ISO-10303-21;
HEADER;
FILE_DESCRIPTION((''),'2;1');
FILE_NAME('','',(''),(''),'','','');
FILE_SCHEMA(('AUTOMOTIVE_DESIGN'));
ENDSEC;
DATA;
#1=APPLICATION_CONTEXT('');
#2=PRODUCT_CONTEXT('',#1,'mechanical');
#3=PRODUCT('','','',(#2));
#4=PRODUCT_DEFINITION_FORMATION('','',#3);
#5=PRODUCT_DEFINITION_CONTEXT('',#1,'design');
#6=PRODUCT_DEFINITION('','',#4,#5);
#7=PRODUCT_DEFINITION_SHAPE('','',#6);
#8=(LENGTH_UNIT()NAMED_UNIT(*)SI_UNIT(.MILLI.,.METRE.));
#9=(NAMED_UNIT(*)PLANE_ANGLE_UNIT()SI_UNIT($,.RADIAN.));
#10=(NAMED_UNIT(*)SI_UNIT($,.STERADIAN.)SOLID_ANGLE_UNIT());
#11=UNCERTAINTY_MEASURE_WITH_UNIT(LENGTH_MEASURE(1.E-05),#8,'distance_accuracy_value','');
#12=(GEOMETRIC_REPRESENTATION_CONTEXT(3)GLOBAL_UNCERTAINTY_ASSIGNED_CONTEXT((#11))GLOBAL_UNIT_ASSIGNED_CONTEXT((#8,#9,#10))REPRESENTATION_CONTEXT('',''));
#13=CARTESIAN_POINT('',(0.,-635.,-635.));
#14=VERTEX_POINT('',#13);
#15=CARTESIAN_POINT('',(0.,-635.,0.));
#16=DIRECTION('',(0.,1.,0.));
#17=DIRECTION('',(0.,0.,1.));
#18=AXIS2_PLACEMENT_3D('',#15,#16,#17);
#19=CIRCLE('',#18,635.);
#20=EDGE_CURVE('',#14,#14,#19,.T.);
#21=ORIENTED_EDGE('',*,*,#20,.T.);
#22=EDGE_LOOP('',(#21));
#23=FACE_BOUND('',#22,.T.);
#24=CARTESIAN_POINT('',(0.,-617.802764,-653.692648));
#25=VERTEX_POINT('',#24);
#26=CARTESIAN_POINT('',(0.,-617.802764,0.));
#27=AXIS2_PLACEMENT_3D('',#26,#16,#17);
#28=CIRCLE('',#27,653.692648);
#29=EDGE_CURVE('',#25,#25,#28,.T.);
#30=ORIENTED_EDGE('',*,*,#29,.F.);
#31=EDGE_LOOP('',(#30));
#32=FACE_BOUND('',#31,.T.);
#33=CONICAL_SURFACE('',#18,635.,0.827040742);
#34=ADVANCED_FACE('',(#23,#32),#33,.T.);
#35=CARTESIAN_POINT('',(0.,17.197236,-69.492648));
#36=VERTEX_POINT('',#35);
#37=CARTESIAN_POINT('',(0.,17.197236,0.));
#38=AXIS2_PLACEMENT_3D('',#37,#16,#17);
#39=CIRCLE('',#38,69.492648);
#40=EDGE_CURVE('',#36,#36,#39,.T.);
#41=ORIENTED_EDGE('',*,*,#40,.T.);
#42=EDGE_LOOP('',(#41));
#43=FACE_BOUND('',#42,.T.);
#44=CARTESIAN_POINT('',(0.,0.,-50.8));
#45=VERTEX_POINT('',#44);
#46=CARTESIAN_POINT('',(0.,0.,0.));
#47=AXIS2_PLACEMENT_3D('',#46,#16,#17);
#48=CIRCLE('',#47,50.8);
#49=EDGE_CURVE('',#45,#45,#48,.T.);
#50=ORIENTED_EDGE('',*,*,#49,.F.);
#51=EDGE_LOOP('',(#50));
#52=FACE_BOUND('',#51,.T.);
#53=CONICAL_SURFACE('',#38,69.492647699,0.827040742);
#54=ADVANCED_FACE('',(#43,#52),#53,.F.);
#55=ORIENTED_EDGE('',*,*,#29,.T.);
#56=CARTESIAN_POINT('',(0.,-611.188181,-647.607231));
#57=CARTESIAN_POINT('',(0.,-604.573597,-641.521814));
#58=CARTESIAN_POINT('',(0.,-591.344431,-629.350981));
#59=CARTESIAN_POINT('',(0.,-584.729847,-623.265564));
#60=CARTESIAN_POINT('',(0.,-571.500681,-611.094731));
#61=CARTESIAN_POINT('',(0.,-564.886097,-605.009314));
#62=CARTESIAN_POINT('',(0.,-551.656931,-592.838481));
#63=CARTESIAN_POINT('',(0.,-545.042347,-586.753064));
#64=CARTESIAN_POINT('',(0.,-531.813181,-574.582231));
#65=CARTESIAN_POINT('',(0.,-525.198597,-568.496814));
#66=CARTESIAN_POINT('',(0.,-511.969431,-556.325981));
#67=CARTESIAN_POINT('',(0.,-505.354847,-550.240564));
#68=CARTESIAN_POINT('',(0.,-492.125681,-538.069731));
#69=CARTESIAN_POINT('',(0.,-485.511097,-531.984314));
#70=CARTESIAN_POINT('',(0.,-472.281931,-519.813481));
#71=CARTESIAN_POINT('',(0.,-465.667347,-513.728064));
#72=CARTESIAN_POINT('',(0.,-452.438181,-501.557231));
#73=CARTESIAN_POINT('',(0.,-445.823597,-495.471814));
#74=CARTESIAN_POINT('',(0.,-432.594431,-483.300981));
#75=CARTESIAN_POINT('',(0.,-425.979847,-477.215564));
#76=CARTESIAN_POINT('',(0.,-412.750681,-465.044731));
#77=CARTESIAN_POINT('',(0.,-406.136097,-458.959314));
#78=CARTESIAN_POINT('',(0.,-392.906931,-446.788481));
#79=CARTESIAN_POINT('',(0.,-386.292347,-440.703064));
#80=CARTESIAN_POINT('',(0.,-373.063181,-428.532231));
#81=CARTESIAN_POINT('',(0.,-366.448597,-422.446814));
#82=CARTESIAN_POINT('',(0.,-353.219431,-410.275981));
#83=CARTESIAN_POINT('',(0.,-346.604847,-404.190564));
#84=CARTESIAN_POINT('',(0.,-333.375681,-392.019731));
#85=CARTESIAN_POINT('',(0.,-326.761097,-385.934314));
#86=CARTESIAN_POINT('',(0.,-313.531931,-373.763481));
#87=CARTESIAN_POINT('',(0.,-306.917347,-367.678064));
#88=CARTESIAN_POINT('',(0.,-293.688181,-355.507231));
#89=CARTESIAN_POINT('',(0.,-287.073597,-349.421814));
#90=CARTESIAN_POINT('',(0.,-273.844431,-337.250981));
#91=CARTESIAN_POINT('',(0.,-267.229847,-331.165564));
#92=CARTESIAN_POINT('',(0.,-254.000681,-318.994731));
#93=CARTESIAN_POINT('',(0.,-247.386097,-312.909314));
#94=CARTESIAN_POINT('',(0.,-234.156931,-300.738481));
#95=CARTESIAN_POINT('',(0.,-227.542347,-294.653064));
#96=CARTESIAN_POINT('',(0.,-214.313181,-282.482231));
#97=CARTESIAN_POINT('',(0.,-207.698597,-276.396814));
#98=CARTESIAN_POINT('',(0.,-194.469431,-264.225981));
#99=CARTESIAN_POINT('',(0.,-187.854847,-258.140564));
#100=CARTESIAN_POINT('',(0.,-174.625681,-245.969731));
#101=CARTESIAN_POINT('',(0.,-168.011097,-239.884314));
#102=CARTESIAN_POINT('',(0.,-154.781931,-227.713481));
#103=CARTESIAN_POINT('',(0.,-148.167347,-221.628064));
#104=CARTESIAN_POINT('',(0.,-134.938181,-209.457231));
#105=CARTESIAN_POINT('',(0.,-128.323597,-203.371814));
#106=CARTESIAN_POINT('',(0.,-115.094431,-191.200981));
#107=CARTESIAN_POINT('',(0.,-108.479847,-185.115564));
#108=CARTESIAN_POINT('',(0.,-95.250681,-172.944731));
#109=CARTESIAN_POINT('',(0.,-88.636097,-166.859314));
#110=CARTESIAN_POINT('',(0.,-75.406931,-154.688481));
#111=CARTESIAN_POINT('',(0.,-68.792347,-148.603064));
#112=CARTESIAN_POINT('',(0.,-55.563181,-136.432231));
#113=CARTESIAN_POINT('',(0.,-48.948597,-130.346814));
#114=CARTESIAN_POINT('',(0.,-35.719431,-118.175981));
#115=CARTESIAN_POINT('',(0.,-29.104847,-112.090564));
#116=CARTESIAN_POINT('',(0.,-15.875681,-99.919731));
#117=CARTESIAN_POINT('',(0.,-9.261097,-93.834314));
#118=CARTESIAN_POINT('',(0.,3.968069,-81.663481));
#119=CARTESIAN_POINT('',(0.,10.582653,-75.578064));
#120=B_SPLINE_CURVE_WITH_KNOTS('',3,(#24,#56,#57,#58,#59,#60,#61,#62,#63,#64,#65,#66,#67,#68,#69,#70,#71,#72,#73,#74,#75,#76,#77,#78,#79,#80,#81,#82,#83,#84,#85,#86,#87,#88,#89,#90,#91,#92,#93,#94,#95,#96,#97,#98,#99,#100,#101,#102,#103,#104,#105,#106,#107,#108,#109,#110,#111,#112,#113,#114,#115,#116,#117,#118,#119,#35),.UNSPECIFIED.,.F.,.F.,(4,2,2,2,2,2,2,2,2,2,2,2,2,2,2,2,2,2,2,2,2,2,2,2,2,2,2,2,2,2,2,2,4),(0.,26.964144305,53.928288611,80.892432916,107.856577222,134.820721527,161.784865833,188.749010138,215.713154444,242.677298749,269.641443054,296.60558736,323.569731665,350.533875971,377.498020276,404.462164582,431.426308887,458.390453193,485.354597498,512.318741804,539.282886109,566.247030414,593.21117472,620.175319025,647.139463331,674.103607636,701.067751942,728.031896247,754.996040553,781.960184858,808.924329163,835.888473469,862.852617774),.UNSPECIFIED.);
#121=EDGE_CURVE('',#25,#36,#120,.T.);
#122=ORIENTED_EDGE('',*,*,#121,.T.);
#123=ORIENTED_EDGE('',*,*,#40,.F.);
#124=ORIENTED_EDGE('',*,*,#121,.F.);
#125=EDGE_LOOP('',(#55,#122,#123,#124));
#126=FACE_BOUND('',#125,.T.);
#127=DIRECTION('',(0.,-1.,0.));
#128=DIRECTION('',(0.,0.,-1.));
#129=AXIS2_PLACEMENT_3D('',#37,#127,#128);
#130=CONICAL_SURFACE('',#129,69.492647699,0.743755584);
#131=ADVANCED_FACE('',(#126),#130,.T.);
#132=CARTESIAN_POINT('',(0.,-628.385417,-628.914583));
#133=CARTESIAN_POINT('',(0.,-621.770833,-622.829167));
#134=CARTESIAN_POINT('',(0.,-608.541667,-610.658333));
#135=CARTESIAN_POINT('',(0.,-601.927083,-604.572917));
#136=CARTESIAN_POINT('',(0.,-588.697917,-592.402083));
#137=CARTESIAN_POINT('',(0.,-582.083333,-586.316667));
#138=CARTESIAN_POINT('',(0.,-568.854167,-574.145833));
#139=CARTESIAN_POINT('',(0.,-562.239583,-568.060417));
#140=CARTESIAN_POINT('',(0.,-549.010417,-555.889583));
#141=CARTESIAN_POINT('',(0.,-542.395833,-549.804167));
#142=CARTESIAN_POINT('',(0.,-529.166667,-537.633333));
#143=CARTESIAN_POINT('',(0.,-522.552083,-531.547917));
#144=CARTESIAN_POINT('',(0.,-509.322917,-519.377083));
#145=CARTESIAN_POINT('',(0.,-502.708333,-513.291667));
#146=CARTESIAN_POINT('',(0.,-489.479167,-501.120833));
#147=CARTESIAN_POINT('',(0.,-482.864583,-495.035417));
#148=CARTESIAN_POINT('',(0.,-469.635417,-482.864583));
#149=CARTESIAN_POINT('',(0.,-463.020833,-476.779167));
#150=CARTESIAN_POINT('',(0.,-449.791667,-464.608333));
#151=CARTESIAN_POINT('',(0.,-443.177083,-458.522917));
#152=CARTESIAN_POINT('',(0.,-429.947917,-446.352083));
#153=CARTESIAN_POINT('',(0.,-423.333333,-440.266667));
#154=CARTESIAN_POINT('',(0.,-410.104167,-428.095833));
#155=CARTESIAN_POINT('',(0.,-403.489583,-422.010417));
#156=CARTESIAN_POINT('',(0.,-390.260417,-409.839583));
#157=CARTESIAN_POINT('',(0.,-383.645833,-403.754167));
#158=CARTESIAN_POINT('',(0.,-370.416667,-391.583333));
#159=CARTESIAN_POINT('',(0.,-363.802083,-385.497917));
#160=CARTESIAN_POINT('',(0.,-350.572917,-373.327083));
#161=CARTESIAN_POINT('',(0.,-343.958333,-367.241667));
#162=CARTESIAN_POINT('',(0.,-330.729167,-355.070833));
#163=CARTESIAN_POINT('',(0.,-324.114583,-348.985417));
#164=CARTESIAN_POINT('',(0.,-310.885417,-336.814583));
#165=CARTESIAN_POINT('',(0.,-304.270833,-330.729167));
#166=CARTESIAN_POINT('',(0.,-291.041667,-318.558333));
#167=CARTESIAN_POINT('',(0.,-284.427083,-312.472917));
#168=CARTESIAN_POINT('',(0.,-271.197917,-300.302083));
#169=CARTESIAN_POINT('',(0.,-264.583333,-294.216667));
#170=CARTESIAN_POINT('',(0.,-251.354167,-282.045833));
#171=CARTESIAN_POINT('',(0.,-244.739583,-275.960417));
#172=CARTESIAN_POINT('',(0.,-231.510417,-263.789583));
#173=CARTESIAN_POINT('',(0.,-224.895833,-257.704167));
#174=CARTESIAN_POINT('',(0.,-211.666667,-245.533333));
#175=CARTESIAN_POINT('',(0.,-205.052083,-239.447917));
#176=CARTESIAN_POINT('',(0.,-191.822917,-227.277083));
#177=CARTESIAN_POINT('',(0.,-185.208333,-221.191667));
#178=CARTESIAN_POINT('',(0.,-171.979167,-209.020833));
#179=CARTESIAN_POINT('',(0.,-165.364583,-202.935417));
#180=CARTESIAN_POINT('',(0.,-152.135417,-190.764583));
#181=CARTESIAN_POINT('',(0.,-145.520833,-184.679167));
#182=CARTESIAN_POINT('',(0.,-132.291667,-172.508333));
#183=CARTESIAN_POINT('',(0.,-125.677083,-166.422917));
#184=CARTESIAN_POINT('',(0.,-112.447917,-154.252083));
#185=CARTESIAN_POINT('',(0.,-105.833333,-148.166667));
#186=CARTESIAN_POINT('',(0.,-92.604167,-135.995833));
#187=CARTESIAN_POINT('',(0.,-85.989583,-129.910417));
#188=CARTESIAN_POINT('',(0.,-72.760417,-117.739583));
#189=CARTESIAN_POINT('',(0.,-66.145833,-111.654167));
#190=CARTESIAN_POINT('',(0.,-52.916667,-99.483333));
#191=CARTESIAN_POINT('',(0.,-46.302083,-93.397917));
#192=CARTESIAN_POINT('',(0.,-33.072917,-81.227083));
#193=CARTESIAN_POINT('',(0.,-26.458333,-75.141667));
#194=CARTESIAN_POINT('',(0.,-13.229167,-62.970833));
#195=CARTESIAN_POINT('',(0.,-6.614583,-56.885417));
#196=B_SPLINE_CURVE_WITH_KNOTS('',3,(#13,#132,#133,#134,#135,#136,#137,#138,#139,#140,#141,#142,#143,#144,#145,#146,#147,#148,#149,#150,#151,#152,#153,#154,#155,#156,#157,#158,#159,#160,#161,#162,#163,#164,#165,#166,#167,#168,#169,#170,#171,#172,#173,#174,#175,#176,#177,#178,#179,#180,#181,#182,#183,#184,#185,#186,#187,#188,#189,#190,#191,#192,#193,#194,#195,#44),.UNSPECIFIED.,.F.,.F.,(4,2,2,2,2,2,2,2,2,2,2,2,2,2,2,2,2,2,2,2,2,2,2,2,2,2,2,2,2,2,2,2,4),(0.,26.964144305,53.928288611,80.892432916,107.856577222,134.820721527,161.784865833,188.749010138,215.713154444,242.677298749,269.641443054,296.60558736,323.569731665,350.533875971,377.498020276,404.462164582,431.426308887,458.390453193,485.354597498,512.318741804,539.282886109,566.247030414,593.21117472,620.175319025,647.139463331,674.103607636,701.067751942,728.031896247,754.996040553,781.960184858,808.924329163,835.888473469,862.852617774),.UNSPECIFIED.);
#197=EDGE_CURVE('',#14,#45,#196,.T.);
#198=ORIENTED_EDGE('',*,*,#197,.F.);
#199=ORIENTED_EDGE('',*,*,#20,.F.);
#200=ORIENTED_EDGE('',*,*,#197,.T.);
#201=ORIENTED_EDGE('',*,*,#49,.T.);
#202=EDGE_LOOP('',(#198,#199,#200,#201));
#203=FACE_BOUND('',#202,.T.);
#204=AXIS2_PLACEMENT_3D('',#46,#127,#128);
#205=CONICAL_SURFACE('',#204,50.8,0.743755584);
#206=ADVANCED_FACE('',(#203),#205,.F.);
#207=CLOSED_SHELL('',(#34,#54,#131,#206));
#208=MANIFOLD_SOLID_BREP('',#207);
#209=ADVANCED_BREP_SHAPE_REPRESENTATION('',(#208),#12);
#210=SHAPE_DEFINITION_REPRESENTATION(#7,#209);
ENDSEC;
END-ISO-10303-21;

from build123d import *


with BuildPart() as part:
    # Sketch1 → Revolve-Thin2 (revolve)
    with BuildSketch(Plane(origin=(0, 0, 0), x_dir=(0, 0, -1), z_dir=(1, 0, 0)), mode=Mode.PRIVATE) as revolve_thin2_sk:
        Polygon((-50.8, 0), (-635, -635), (-653.692647699, -617.802764117), (-69.492647699, 17.197235883), align=None)
    revolve(revolve_thin2_sk.sketch.rotate(Axis((0, 0, 0), (0, -1, 0)), 180), axis=Axis((0, 0, 0), (0, -1, 0)))


solid = part.part
